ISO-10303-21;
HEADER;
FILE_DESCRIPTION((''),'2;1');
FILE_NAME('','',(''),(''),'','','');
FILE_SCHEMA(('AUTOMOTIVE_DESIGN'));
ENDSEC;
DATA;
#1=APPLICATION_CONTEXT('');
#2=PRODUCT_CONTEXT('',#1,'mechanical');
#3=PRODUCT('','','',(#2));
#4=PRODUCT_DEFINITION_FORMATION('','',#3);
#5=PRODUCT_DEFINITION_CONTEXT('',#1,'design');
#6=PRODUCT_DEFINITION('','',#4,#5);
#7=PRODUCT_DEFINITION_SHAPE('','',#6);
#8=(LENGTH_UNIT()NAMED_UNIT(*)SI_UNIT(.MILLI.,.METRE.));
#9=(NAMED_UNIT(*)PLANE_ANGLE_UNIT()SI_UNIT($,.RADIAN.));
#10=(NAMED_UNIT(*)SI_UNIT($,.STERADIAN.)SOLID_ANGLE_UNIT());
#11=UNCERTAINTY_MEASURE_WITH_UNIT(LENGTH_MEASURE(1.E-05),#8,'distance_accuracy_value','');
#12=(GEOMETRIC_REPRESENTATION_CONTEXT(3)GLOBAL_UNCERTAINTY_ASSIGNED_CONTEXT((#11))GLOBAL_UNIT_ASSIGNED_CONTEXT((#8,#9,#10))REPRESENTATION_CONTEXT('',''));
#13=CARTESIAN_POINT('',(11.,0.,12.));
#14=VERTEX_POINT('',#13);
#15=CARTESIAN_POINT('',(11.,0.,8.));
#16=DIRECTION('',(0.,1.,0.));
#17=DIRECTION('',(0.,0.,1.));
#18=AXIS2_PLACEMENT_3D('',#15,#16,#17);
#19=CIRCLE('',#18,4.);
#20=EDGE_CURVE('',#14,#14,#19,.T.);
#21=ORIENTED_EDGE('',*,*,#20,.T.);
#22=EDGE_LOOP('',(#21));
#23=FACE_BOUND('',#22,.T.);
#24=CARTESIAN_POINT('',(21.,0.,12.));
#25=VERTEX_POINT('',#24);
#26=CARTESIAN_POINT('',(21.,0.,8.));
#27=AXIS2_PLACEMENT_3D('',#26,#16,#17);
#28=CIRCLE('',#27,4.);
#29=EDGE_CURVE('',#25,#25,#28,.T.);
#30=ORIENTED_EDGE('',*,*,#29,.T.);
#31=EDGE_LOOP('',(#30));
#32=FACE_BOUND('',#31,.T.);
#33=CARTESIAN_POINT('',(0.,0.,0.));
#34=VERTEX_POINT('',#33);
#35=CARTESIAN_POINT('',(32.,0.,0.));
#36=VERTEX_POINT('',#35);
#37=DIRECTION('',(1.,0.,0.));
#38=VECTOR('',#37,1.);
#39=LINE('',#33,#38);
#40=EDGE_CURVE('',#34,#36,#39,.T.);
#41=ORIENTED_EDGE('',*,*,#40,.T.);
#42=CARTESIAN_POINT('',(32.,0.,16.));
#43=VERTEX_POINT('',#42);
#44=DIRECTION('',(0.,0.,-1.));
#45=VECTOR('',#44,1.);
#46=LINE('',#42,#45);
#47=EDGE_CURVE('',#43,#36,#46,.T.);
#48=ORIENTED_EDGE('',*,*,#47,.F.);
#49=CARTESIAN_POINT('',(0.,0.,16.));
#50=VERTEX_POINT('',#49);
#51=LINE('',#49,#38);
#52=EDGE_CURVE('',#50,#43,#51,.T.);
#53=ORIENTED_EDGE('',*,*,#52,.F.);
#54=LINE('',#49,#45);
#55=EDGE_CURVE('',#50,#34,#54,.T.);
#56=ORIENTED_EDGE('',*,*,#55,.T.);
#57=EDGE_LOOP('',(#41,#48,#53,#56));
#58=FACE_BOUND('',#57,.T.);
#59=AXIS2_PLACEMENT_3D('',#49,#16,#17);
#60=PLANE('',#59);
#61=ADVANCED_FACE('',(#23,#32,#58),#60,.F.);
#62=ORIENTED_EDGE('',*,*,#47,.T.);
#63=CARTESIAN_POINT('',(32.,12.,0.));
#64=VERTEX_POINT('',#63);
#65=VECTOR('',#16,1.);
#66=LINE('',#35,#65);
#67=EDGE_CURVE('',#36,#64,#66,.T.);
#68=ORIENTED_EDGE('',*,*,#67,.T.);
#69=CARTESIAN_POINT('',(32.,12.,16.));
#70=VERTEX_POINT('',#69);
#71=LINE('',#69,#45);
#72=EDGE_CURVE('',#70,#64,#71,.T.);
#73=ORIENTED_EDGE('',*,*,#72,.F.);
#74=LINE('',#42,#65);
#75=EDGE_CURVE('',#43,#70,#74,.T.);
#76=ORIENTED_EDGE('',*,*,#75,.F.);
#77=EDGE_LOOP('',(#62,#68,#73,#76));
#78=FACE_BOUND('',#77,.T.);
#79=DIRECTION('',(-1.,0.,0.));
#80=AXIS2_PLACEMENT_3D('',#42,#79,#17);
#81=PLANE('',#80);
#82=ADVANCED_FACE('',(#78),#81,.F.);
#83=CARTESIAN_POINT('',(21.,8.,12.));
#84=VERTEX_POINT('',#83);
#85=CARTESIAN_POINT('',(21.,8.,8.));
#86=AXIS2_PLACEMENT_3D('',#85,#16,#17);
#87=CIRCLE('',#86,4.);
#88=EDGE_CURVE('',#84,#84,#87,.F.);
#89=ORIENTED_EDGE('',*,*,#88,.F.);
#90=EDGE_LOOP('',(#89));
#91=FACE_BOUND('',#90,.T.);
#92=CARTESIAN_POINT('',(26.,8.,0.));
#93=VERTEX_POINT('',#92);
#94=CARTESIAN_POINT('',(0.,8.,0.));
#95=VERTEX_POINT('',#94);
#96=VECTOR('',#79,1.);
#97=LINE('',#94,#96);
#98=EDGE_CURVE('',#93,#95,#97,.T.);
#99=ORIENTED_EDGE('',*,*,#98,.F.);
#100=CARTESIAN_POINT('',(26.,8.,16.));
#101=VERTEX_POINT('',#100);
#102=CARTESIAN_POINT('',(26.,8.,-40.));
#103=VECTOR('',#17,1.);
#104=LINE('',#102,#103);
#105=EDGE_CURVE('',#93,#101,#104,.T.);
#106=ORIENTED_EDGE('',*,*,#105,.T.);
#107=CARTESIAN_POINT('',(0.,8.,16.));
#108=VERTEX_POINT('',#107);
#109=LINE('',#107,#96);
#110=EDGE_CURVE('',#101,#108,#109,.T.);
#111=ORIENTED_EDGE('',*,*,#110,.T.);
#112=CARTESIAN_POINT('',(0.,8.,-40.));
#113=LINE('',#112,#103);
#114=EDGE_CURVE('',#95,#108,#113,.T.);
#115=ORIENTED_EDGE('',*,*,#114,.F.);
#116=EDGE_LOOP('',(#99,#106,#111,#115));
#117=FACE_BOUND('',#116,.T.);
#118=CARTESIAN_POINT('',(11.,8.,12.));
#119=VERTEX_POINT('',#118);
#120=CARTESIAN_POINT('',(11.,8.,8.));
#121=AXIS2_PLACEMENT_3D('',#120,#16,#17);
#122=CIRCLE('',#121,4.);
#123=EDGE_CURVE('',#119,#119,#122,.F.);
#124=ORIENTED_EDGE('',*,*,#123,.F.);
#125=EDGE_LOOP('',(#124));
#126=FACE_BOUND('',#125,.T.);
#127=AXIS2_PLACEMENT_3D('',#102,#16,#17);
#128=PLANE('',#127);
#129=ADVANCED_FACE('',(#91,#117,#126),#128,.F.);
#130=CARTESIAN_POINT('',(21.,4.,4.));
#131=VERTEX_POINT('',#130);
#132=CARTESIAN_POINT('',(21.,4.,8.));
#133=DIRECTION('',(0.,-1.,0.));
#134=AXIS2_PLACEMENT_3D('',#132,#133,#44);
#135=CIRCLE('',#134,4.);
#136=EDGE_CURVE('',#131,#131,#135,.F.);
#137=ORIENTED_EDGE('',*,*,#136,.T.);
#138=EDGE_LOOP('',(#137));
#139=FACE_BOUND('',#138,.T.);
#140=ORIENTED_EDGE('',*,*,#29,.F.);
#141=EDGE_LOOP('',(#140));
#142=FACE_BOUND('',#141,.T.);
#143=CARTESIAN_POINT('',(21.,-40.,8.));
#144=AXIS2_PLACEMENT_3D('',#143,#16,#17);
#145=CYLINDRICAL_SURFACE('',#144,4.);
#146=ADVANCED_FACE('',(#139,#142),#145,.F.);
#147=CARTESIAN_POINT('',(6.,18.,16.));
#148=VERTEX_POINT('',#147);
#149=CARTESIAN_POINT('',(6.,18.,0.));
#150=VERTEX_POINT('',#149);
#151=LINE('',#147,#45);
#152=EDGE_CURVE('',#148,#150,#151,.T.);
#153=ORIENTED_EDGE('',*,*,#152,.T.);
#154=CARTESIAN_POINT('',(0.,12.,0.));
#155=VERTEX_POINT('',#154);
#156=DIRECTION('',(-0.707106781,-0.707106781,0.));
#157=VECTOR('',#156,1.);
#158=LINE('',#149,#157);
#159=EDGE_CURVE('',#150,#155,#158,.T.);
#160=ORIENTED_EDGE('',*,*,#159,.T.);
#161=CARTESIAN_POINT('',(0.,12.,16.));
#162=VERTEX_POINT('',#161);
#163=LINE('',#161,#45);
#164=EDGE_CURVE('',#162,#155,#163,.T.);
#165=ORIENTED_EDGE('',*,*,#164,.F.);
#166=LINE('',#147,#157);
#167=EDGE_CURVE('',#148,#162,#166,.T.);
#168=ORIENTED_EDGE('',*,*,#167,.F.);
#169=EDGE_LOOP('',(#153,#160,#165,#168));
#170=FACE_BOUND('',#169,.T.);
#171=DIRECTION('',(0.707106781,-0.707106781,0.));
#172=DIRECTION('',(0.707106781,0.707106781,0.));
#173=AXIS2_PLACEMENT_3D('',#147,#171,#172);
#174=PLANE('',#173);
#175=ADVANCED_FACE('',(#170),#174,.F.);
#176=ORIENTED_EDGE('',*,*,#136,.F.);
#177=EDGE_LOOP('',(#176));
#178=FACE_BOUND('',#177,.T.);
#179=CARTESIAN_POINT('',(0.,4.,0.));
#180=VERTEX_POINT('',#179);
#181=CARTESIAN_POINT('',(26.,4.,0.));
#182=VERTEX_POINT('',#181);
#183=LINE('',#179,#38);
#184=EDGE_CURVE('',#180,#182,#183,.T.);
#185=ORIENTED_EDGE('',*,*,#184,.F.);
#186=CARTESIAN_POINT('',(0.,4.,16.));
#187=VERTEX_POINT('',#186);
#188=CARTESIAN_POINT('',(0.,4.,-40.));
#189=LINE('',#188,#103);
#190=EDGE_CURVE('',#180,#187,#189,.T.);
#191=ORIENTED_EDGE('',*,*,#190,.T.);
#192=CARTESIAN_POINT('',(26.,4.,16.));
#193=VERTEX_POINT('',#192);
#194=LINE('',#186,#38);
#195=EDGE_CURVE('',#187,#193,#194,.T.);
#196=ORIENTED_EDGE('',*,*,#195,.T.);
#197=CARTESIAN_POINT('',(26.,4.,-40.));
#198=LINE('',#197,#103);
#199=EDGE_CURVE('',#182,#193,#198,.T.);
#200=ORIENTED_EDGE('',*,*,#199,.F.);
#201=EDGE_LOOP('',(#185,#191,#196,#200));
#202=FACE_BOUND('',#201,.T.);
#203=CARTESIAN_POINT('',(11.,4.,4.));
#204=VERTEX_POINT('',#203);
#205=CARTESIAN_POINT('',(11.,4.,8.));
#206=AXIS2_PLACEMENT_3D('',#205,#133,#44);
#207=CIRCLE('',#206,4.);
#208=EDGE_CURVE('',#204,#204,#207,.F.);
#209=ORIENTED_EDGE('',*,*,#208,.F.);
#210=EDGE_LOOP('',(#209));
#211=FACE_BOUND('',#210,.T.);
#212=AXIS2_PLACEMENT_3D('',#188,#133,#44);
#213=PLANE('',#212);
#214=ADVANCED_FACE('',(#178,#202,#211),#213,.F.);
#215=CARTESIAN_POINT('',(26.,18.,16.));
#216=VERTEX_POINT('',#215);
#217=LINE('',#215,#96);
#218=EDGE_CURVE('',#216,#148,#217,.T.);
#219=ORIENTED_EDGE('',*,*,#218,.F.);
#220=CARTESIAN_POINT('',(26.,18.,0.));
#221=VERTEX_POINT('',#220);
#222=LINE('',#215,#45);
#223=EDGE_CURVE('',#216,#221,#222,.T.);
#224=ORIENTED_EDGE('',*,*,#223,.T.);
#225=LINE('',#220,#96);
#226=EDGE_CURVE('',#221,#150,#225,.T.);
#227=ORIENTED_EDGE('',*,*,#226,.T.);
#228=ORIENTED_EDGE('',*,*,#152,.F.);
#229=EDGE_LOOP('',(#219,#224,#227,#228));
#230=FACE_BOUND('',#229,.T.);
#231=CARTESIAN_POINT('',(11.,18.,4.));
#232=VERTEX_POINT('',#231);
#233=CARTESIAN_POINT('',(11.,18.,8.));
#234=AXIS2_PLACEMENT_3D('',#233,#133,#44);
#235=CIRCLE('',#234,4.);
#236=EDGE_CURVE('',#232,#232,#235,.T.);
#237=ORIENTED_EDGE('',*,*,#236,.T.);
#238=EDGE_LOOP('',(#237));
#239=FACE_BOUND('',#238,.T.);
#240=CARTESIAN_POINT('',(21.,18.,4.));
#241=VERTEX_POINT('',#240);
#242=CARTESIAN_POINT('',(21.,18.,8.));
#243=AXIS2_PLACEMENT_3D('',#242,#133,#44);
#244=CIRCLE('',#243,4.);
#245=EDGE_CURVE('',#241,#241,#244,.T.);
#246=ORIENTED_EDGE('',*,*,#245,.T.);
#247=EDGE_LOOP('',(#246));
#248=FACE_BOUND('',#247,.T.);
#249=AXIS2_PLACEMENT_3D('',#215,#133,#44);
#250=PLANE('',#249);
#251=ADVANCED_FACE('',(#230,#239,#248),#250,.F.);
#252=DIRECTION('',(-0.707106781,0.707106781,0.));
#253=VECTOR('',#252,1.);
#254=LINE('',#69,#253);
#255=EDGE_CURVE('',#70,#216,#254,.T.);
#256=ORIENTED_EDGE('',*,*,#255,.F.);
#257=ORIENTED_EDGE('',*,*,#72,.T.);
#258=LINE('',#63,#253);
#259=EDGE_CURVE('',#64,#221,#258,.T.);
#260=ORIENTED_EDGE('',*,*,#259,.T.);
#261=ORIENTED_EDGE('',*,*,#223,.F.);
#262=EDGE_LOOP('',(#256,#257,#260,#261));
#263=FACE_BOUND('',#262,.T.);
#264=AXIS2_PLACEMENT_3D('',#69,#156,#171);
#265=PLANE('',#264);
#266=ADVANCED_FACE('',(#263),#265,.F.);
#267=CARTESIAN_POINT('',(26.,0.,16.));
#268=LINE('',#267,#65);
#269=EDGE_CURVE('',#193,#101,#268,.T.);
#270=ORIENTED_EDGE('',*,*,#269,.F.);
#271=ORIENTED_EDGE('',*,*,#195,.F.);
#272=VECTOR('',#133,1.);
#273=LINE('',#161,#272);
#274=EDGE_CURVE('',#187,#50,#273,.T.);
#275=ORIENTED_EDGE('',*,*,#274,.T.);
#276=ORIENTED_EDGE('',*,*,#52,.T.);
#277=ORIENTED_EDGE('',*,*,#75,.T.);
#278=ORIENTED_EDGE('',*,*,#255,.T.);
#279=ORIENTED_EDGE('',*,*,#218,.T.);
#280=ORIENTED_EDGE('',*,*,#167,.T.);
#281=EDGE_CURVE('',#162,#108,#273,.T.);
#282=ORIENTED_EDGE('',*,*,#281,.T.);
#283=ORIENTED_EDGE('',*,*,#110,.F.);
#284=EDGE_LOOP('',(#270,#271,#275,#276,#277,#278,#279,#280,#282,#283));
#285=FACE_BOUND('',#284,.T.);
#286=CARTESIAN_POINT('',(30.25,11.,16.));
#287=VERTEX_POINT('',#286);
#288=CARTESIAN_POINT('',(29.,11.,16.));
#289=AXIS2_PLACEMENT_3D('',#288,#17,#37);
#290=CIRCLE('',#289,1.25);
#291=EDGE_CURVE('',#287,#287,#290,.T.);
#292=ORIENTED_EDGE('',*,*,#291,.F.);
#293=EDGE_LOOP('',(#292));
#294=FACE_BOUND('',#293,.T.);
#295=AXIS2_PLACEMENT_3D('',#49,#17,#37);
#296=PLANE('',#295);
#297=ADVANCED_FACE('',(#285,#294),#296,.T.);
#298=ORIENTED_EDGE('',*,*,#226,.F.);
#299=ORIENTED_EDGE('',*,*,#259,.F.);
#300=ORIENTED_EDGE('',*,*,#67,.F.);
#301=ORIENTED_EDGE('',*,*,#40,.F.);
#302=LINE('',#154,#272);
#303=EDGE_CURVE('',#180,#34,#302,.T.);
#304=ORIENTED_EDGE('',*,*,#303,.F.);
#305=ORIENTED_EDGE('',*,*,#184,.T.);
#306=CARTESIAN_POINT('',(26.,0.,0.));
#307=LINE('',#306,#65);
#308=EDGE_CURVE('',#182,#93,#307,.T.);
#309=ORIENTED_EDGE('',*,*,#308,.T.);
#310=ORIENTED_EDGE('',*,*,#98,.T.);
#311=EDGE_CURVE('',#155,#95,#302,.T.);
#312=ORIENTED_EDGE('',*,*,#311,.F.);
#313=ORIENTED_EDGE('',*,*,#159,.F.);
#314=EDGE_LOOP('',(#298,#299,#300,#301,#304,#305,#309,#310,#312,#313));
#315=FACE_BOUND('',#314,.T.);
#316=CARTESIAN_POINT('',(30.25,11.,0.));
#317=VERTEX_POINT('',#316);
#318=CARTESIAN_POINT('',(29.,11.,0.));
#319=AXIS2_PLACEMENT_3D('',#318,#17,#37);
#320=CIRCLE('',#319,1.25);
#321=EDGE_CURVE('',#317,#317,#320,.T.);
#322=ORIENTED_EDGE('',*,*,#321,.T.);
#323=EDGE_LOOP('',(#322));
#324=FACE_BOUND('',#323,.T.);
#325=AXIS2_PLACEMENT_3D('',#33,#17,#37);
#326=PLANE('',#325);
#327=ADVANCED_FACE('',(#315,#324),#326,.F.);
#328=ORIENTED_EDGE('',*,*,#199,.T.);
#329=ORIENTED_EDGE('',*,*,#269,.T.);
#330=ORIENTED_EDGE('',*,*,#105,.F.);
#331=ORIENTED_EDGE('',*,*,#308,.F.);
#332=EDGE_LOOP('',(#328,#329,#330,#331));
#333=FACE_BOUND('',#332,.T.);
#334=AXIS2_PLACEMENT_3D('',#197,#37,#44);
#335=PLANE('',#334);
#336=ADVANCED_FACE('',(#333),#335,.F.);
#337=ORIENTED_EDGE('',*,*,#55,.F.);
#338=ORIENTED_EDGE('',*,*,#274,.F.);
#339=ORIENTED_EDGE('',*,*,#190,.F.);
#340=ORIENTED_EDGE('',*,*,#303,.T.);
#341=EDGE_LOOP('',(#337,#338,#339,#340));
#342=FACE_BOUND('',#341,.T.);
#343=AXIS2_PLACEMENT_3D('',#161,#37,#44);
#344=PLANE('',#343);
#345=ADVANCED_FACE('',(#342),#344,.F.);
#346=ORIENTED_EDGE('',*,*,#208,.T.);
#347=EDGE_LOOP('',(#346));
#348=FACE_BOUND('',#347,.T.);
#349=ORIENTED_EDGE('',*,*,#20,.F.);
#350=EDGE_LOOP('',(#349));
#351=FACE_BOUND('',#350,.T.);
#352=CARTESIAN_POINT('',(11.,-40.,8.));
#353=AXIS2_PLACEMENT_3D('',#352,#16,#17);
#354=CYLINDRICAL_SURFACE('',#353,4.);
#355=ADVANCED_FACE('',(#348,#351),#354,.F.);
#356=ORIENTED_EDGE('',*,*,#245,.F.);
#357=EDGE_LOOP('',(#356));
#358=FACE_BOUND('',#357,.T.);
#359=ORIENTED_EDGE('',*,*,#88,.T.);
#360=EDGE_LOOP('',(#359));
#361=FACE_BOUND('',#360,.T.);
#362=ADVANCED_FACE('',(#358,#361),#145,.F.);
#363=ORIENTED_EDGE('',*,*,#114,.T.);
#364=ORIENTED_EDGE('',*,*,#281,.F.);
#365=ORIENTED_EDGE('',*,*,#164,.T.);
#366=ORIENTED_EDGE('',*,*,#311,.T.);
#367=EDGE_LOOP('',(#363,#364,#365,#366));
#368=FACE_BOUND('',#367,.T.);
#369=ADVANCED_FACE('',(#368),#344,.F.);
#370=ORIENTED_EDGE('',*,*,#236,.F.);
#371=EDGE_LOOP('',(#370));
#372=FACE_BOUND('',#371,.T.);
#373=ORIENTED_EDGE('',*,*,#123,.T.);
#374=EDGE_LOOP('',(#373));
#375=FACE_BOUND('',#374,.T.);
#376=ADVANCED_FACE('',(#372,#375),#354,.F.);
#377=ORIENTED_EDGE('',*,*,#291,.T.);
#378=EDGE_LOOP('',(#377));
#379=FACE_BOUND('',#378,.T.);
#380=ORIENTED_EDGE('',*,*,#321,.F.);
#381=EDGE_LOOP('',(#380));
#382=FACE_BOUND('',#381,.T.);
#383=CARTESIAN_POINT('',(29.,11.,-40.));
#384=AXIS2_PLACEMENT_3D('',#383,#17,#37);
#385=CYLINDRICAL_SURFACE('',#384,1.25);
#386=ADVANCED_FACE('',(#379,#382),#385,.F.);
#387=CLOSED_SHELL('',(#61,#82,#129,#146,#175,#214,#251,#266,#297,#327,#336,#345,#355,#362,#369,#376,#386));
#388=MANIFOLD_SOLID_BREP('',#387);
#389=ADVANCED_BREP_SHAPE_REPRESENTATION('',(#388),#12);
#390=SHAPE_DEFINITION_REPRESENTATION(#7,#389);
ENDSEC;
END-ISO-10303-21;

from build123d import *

# Parameters (mm, degrees)
BOSS_EXTRUDE1_DEPTH = 16
SKETCH2_R           = 4
CUT_EXTRUDE1_DEPTH  = 40
SKETCH3_W           = 26
SKETCH3_H           = 4
CUT_EXTRUDE2_DEPTH  = 40
SKETCH4_R           = 1.25
CUT_EXTRUDE3_DEPTH  = 40


with BuildPart() as part:
    # Sketch1 → Boss-Extrude1 (new body)
    with BuildSketch(Plane.XY):
        Polygon((0, 0), (32, 0), (32, 12), (26, 18), (6, 18), (0, 12), align=None)
    extrude(amount=BOSS_EXTRUDE1_DEPTH)

    # Sketch2 → Cut-Extrude1 (cut, symmetric)
    with BuildSketch(Plane(origin=(0, 0, 0), x_dir=(1, 0, 0), z_dir=(0, 1, 0))):
        with Locations(Location((11, -8, 0), (0, 0, 270))):
            Circle(SKETCH2_R)
        with Locations(Location((21, -8, 0), (0, 0, 270))):
            Circle(SKETCH2_R)
    extrude(amount=CUT_EXTRUDE1_DEPTH, both=True, mode=Mode.SUBTRACT)

    # Sketch3 → Cut-Extrude2 (cut, symmetric)
    with BuildSketch(Plane.XY):
        with Locations((13, 6)):
            Rectangle(SKETCH3_W, SKETCH3_H)
    extrude(amount=CUT_EXTRUDE2_DEPTH, both=True, mode=Mode.SUBTRACT)

    # Sketch4 → Cut-Extrude3 (cut, symmetric)
    with BuildSketch(Plane.XY):
        with Locations((29, 11)):
            Circle(SKETCH4_R)
    extrude(amount=CUT_EXTRUDE3_DEPTH, both=True, mode=Mode.SUBTRACT)


solid = part.part
